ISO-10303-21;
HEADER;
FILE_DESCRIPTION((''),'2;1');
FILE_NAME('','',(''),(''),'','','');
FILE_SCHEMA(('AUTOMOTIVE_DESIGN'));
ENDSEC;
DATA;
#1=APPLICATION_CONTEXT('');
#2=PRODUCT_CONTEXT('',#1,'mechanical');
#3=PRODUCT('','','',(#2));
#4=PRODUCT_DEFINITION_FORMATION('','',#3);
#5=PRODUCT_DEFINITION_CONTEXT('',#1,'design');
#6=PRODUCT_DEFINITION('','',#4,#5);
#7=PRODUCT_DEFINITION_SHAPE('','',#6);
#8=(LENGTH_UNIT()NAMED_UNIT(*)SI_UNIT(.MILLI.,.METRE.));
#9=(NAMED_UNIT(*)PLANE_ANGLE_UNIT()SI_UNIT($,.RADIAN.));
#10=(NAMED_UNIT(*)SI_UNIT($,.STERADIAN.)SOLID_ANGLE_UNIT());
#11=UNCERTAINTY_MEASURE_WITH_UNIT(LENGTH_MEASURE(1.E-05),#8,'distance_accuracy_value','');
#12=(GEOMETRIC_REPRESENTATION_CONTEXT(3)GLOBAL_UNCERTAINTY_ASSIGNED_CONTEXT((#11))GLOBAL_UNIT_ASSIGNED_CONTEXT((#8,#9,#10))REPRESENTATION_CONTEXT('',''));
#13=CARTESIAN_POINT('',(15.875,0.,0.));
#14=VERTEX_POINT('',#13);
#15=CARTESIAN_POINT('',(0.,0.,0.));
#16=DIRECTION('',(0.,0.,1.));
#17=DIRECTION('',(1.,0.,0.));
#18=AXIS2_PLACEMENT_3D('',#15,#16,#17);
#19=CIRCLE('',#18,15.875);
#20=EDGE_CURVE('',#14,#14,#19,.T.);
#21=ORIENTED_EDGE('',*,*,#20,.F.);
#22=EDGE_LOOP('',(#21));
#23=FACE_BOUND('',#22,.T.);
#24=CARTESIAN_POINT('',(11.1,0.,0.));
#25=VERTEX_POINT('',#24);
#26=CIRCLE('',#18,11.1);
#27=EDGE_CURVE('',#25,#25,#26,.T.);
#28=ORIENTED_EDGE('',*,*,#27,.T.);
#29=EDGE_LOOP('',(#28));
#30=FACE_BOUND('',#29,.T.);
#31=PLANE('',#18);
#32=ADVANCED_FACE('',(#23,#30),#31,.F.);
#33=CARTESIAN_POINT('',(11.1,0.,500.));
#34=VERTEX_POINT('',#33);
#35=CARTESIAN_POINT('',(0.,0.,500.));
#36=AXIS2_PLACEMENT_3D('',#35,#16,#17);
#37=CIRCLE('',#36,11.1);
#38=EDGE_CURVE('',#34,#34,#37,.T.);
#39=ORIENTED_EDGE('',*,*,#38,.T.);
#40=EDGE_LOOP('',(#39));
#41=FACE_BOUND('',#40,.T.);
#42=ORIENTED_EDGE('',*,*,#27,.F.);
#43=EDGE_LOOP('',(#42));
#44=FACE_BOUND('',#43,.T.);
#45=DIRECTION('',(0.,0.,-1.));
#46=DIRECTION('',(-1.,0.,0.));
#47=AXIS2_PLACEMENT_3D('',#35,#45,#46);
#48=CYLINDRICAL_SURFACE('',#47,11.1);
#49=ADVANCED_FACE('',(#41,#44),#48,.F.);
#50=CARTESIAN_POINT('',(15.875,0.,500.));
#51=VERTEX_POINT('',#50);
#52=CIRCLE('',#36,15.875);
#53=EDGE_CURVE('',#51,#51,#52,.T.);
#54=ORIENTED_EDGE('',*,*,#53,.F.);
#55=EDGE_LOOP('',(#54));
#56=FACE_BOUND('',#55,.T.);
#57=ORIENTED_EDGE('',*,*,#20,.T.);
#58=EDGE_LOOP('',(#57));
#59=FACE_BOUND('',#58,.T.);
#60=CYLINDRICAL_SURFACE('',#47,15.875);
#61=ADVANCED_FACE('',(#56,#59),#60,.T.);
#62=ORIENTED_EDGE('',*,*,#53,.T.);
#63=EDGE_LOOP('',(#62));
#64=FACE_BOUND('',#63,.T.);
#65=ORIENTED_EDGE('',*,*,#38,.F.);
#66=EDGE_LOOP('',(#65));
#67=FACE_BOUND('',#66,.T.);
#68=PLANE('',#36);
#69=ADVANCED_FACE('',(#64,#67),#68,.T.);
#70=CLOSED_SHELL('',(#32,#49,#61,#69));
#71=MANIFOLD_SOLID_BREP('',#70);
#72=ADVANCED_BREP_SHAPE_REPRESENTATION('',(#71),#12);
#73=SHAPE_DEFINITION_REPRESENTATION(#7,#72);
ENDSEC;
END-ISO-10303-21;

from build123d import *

# Parameters (mm, degrees)
SKETCH1_R           = 15.875
SKETCH1_R_2         = 11.1
BOSS_EXTRUDE1_DEPTH = 500


with BuildPart() as part:
    # Sketch1 → Boss-Extrude1 (new body)
    with BuildSketch(Plane(origin=(0, 0, 0), x_dir=(0, 1, 0), z_dir=(0, 0, 1))):
        with Locations(Location((0, 0, 0), (0, 0, 270))):
            Circle(SKETCH1_R)
        with Locations(Location((0, 0, 0), (0, 0, 270))):
            Circle(SKETCH1_R_2, mode=Mode.SUBTRACT)
    extrude(amount=BOSS_EXTRUDE1_DEPTH)


solid = part.part
